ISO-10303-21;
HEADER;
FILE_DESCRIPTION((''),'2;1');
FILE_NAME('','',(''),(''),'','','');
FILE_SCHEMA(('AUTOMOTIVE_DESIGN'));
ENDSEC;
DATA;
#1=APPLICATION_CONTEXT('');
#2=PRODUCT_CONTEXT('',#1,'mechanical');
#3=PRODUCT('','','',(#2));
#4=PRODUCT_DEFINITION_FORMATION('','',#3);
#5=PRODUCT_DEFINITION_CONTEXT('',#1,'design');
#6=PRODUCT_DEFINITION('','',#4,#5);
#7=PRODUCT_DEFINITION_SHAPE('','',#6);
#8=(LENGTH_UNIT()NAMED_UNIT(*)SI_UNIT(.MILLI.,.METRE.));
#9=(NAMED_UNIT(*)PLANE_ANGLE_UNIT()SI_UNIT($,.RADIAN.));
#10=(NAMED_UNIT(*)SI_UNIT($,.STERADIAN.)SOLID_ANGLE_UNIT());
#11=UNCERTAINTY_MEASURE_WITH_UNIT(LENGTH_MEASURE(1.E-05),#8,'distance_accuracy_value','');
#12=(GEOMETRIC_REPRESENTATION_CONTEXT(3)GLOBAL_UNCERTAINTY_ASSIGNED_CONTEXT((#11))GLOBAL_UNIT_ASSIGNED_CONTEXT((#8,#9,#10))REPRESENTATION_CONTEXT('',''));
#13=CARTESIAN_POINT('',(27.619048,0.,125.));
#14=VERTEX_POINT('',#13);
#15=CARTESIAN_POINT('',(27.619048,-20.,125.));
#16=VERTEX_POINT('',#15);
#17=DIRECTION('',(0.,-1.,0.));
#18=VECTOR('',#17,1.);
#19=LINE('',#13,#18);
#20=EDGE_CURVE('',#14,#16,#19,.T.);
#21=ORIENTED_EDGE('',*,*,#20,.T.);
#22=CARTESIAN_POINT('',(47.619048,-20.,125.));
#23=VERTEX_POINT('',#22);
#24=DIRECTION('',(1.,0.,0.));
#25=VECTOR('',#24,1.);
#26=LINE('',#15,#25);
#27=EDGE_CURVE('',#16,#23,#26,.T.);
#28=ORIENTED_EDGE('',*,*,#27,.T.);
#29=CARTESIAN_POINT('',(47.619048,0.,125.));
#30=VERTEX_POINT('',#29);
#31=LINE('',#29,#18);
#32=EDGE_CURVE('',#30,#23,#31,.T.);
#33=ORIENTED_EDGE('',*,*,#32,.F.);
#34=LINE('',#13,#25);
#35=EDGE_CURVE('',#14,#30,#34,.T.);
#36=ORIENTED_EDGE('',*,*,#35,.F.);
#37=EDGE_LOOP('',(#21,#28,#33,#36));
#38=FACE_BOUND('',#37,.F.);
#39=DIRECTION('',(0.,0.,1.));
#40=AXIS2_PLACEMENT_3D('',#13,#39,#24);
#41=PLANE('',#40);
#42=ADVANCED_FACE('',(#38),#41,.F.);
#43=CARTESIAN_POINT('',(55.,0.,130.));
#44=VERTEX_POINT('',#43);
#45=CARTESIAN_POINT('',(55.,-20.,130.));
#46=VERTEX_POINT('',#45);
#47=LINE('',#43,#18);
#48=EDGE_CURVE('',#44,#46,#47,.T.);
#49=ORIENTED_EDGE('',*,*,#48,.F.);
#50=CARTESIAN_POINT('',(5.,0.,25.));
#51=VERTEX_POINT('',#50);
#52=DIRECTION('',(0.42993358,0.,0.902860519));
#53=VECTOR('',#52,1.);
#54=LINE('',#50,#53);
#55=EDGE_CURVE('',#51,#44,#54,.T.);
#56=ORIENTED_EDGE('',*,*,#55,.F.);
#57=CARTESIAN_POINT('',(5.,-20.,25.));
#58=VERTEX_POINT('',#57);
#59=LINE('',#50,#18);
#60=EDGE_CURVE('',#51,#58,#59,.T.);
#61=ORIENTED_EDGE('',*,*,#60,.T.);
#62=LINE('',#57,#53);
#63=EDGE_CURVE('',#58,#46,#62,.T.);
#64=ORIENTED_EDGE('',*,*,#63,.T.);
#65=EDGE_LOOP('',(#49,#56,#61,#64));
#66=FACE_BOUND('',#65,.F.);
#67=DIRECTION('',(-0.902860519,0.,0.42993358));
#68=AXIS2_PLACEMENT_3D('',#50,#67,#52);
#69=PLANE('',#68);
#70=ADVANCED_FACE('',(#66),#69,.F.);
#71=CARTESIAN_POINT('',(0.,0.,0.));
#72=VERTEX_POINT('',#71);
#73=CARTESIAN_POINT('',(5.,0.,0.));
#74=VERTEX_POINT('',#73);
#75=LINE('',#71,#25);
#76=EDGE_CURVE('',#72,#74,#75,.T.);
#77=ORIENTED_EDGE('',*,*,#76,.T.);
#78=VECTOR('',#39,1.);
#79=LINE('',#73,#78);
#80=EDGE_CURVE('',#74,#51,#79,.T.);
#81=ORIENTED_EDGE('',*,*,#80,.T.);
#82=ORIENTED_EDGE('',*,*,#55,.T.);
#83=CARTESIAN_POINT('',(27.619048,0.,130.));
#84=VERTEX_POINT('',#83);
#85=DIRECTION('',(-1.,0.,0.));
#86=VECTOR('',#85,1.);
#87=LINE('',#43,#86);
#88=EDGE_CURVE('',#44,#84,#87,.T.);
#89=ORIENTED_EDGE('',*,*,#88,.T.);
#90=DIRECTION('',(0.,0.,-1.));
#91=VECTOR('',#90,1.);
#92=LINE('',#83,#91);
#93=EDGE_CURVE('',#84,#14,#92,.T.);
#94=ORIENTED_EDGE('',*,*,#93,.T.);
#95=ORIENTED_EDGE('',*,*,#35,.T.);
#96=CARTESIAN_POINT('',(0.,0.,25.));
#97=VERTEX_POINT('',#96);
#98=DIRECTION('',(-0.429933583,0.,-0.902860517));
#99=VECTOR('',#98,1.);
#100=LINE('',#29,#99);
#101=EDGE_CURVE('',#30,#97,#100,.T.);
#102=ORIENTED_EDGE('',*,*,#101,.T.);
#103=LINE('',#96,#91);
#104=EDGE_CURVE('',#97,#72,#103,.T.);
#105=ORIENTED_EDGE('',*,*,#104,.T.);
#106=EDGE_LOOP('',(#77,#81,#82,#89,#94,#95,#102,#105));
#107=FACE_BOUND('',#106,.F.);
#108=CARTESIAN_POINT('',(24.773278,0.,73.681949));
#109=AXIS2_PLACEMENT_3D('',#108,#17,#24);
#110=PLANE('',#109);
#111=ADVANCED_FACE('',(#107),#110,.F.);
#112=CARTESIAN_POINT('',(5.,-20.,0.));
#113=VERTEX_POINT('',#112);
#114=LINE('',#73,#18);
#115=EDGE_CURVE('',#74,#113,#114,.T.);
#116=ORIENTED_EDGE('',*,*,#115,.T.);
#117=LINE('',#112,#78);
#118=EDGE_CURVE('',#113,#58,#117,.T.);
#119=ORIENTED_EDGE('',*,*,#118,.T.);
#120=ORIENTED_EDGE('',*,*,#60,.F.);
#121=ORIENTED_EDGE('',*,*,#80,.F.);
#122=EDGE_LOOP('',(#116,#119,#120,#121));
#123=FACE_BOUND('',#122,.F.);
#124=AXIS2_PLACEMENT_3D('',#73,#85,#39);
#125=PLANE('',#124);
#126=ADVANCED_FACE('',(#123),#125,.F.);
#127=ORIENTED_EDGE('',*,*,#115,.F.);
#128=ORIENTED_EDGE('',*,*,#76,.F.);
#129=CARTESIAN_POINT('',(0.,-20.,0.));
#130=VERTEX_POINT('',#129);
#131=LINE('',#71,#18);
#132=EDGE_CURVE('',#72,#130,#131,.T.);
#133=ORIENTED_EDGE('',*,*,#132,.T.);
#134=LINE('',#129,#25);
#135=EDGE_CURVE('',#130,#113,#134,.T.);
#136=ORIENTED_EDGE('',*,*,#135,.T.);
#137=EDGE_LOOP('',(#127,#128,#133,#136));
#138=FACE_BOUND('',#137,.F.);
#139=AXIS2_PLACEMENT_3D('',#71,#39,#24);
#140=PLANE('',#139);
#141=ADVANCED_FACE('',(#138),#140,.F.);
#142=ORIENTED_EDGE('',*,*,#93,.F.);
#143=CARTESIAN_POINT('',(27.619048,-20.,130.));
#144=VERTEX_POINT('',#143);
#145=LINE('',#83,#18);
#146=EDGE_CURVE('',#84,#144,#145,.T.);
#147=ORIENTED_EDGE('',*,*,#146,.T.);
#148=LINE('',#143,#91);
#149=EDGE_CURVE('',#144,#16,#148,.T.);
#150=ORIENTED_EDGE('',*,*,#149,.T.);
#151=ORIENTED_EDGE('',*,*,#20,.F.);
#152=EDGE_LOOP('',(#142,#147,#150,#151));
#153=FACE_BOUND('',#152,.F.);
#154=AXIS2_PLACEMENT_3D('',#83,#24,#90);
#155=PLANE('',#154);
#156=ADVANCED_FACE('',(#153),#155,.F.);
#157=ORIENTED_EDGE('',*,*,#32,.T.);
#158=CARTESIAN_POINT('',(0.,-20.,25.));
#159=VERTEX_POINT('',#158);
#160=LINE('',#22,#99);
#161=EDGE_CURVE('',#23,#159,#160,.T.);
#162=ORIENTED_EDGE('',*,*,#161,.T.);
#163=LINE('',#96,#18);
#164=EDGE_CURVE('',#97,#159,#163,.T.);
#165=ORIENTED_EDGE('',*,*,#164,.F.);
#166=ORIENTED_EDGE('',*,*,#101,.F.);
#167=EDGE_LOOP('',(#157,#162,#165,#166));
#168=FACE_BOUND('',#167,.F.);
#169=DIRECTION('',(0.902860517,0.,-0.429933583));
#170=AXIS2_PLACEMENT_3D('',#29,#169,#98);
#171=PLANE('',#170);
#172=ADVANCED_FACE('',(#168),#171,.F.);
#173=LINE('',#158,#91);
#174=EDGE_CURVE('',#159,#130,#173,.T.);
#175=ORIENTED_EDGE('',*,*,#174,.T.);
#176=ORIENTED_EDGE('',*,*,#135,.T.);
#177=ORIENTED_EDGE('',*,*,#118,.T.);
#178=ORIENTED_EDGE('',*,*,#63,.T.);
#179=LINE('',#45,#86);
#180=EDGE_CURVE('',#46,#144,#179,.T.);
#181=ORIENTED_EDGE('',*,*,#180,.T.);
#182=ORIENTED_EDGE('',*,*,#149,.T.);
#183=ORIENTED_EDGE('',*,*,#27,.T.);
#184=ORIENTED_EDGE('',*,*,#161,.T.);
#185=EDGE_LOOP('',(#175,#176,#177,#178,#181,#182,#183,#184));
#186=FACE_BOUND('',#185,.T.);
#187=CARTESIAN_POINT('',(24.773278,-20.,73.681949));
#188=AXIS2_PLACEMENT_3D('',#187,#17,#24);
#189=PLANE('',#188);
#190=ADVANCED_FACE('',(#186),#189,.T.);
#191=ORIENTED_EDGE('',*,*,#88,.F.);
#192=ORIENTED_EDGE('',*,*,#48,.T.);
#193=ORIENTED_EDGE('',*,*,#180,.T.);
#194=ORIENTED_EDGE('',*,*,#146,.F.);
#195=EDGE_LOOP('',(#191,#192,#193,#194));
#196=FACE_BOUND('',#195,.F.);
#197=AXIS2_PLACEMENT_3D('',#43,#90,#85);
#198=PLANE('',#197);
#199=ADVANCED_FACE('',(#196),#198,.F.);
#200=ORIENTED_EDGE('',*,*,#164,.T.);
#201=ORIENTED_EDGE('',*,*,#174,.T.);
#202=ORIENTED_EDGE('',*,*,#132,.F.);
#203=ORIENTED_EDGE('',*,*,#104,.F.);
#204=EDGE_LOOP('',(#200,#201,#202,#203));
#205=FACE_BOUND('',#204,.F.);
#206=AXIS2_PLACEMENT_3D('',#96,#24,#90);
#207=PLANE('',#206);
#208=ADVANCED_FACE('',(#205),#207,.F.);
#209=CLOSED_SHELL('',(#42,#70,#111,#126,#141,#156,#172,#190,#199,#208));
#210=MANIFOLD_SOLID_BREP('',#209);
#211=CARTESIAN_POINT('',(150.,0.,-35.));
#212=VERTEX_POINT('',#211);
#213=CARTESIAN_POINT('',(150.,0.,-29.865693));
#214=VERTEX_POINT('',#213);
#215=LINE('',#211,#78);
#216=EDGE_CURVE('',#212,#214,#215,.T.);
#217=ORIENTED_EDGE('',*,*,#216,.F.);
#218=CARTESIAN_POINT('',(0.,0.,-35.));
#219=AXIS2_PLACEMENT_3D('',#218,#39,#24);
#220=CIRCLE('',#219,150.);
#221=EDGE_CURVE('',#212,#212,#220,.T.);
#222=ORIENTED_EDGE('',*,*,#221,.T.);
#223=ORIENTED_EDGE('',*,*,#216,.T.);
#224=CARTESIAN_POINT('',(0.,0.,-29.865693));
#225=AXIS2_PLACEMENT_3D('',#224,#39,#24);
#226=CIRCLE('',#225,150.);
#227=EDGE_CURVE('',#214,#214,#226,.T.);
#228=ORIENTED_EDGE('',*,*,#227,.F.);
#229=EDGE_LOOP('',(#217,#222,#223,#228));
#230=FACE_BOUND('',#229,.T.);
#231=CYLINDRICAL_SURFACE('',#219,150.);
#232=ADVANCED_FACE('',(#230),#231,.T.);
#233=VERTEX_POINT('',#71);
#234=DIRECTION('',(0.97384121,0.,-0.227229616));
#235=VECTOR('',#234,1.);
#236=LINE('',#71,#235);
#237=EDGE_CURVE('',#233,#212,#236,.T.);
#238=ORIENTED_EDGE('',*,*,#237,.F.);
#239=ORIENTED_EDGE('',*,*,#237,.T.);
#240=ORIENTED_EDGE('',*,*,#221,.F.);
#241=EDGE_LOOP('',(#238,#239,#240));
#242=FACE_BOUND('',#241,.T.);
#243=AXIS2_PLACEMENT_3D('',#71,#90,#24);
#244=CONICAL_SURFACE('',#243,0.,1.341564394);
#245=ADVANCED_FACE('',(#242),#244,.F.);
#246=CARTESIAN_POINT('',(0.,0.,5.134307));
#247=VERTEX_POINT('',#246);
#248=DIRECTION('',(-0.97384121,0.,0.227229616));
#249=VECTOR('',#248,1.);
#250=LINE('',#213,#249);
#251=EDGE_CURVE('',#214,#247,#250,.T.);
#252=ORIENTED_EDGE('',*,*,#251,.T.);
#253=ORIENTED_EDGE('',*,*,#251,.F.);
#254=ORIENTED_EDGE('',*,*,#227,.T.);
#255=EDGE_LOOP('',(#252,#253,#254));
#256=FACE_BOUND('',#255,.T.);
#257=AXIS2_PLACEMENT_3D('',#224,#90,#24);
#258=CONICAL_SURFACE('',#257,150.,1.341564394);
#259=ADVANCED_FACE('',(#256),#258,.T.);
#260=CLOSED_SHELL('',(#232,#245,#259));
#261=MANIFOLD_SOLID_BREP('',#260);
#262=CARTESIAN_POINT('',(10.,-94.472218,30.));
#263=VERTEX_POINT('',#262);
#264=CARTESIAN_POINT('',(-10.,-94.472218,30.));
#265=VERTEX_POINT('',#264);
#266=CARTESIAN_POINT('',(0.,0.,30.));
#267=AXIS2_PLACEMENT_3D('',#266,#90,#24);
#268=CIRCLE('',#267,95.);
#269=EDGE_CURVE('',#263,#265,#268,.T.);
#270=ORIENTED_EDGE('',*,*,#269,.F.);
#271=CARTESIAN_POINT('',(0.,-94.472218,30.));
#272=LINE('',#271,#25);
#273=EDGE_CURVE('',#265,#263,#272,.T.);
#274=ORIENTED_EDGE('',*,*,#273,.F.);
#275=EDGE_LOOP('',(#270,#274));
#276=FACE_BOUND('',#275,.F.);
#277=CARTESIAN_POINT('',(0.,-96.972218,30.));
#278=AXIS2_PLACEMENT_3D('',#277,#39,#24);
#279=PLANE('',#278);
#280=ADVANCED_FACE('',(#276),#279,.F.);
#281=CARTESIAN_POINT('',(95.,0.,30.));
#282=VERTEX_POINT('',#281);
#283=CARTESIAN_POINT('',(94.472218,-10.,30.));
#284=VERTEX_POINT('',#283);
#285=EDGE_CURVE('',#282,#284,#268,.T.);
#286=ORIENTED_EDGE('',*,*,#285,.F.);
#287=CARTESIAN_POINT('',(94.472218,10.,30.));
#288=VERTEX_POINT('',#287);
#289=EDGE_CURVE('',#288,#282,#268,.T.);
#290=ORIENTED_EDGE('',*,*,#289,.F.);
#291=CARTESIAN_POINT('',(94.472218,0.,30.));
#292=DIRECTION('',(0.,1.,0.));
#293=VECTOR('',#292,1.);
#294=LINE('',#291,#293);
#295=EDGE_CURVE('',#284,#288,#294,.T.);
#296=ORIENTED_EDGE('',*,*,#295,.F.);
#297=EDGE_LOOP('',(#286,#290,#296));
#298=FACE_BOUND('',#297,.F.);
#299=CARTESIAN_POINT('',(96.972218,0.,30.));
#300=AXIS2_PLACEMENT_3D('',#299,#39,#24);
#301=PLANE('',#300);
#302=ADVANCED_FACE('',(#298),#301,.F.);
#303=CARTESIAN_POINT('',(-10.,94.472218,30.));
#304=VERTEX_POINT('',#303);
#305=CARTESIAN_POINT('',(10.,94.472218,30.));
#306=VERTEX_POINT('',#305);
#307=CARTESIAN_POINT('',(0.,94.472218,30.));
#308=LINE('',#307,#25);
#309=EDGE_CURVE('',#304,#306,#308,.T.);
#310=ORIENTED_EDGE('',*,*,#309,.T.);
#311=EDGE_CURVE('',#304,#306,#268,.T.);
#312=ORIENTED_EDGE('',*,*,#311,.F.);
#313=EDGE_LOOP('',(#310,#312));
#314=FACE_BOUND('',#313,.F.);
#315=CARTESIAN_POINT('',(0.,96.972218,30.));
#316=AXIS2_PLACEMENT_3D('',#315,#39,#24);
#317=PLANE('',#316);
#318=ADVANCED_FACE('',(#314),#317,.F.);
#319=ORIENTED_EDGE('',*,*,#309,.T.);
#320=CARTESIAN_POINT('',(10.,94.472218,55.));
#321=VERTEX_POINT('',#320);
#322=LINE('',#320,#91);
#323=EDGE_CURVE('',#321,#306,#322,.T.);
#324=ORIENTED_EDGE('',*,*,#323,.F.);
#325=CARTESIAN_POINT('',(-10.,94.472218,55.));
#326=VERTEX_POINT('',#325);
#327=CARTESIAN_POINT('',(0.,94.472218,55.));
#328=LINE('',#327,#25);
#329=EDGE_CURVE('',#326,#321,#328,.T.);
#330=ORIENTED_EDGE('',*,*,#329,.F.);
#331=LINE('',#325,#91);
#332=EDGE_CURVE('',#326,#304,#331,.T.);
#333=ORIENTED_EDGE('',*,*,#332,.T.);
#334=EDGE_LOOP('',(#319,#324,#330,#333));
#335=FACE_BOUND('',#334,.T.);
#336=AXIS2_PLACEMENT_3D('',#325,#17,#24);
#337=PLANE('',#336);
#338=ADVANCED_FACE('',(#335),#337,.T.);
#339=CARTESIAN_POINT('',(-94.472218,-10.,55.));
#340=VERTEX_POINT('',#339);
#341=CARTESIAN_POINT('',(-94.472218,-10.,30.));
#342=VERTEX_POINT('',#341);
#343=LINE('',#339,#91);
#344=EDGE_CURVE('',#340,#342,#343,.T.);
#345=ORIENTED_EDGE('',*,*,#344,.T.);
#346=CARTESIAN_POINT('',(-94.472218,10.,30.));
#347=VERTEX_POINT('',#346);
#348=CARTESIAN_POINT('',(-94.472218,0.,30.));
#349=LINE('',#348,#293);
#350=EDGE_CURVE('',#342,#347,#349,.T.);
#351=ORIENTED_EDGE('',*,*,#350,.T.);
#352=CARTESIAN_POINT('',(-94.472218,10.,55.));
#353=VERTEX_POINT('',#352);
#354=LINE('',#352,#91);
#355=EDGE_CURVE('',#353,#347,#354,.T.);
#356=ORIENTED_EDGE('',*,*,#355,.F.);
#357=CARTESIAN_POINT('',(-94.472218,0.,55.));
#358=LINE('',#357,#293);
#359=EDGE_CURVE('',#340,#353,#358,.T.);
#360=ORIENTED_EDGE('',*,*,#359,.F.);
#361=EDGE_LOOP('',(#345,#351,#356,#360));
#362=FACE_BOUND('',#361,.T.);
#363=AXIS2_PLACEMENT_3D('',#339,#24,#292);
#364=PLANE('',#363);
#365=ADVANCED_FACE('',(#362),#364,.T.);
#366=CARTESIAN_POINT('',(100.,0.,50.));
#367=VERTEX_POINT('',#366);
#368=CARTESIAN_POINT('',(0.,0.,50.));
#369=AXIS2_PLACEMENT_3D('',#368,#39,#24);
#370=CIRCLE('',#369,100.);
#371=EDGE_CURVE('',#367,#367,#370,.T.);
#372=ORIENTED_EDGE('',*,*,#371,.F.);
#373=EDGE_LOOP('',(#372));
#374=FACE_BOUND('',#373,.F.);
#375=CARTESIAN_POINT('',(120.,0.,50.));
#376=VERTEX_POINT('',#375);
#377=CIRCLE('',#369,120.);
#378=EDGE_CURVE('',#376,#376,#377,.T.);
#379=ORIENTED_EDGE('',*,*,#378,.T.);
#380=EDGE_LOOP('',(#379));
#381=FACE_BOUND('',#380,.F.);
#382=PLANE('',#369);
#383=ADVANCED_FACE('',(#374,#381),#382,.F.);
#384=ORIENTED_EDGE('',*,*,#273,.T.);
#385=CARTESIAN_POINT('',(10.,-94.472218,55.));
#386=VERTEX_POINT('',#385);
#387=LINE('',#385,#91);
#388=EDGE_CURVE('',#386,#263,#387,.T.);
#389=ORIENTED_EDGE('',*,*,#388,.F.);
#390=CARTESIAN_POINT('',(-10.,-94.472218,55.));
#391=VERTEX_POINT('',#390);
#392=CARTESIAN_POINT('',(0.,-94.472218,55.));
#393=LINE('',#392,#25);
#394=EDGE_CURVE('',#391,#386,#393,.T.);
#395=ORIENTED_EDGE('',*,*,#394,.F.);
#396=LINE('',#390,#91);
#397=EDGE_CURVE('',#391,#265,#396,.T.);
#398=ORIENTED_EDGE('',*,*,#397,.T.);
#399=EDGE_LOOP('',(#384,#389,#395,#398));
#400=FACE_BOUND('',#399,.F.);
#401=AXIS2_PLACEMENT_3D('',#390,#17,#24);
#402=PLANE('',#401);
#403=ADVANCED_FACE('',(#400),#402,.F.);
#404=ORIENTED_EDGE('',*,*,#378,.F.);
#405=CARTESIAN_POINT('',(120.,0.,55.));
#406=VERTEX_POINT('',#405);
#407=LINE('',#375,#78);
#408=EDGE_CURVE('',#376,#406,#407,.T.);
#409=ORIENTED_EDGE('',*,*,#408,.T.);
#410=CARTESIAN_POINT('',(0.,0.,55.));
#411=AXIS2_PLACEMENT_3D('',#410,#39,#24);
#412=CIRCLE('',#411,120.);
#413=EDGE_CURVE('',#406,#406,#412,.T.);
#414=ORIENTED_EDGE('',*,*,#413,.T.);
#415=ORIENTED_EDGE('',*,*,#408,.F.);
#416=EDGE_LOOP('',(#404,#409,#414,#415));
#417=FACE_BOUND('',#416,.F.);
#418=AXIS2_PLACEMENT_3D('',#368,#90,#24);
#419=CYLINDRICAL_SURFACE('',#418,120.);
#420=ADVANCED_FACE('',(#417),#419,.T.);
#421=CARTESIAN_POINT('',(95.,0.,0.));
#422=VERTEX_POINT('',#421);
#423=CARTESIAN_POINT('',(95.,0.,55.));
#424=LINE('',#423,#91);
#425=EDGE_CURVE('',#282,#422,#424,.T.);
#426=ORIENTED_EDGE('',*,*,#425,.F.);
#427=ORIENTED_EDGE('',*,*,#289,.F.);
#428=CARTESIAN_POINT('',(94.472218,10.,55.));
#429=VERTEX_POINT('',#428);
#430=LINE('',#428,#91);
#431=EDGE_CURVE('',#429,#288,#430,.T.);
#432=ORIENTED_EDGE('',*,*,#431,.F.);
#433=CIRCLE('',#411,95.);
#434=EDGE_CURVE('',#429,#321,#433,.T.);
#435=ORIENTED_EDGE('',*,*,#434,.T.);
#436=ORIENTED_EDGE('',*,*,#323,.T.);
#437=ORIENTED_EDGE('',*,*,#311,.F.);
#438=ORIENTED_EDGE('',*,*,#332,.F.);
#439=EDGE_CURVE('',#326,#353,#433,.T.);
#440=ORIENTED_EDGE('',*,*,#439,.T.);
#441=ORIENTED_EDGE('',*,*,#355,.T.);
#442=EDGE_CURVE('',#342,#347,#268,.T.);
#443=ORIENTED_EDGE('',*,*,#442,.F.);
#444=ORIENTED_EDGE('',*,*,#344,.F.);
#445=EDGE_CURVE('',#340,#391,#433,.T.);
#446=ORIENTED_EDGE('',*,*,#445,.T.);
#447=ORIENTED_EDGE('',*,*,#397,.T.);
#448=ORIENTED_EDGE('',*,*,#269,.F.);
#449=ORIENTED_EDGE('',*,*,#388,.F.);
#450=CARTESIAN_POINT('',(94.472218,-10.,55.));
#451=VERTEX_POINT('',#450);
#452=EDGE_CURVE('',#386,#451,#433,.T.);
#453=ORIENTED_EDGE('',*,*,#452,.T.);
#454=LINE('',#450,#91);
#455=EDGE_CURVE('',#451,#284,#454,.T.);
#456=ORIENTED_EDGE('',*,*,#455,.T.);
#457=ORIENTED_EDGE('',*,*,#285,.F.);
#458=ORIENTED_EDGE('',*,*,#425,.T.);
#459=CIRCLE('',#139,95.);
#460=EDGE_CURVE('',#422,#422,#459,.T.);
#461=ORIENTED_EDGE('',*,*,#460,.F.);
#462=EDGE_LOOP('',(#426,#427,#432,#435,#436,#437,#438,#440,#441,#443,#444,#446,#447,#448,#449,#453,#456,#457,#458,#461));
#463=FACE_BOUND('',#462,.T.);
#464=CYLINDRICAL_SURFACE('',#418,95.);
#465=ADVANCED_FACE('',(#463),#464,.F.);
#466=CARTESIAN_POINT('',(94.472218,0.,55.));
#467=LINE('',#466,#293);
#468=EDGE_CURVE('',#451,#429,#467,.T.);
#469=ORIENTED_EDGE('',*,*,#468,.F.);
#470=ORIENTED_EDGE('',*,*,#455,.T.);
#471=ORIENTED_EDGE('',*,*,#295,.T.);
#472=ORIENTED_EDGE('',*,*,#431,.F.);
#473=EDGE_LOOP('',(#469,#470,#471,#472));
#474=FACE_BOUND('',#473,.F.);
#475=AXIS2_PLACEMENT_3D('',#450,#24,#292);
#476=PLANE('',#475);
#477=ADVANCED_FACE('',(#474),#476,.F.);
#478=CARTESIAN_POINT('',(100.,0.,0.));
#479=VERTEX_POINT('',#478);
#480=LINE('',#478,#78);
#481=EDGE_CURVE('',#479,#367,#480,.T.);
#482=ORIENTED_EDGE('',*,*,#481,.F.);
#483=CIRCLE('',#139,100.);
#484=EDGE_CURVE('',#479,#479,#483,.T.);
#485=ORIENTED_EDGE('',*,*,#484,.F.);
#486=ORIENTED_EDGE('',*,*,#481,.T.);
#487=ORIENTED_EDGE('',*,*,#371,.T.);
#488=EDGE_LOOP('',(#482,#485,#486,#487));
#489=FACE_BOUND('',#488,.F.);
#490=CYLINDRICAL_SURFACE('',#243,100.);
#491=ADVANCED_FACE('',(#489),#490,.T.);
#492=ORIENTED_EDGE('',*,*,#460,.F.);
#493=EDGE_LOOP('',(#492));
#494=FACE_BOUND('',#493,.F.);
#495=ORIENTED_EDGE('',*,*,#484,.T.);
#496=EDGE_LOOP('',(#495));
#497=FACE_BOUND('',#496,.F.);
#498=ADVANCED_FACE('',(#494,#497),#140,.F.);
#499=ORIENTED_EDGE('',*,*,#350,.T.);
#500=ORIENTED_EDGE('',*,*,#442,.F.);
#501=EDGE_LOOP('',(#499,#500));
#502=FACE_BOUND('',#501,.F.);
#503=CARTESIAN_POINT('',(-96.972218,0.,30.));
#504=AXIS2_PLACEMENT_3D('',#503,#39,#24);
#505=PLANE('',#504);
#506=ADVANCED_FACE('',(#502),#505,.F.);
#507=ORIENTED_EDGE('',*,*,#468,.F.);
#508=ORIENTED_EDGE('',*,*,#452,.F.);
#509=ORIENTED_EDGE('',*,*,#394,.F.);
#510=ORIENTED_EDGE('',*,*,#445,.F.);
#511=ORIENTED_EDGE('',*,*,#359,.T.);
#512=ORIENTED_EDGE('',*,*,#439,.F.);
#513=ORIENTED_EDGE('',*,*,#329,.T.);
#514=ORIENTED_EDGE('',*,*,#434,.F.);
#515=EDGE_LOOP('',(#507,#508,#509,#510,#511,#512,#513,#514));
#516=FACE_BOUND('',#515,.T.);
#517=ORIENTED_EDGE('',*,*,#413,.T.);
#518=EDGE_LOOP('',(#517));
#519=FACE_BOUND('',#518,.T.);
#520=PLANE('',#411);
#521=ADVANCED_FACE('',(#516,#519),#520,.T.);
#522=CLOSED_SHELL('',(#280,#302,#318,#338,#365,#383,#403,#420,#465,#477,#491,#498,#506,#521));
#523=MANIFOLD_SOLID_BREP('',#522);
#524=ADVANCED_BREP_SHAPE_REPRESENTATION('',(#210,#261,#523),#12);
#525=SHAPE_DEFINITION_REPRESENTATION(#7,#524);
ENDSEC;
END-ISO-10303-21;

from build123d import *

# Parameters (mm, degrees)
F3_R      = 100
F3_R_2    = 95
F4_DEPTH  = 50
F5_R      = 120
F5_R_2    = 100
F5_R_3    = 95
F6_DEPTH  = 5
F7_W      = 5
F7_H      = 20
F7_W_2    = 20
F7_H_2    = 5
F8_DEPTH  = 25
F10_DEPTH = 20


with BuildPart() as f2:
    # F0 (on Front) → F2 (revolve)
    with BuildSketch(Plane.XZ):
        Polygon((150, -29.865693), (0, 5.134307), (0, 0), (150, -35), align=None)
    revolve(axis=Axis((0, 0, 19.440636), (0, 0, 1)))


with BuildPart() as f4:
    # F3 (on Top) → F4 (new body)
    with BuildSketch(Plane.XY):
        Circle(F3_R)
        Circle(F3_R_2, mode=Mode.SUBTRACT)
    extrude(amount=F4_DEPTH)

    # F5 (on face) → F6 (join)
    with BuildSketch(Plane.XY.offset(50)):
        Circle(F5_R)
        Circle(F5_R_2, mode=Mode.SUBTRACT)
        Circle(F5_R_2)
        Circle(F5_R_3, mode=Mode.SUBTRACT)
    extrude(amount=F6_DEPTH)

    # F7 (on face) → F8 (join)
    with BuildSketch(Plane.XY.offset(55)):
        with Locations((-96.972218, 0)):
            Rectangle(F7_W, F7_H)
        with Locations((0, -96.972218)):
            Rectangle(F7_W_2, F7_H_2)
        with Locations((96.972218, 0)):
            Rectangle(F7_W, F7_H)
        with Locations((0, 96.972218)):
            Rectangle(F7_W_2, F7_H_2)
    extrude(amount=-F8_DEPTH)


with BuildPart() as f10:
    # F9 (on Front) → F10 (new body)
    with BuildSketch(Plane.XZ):
        Polygon((0, 25), (0, 0), (5, 0), (5, 25), (55, 130), (27.619048, 130), (27.619048, 125), (47.619048, 125), align=None)
    extrude(amount=F10_DEPTH)


solid = Compound([f2.part, f4.part, f10.part])
